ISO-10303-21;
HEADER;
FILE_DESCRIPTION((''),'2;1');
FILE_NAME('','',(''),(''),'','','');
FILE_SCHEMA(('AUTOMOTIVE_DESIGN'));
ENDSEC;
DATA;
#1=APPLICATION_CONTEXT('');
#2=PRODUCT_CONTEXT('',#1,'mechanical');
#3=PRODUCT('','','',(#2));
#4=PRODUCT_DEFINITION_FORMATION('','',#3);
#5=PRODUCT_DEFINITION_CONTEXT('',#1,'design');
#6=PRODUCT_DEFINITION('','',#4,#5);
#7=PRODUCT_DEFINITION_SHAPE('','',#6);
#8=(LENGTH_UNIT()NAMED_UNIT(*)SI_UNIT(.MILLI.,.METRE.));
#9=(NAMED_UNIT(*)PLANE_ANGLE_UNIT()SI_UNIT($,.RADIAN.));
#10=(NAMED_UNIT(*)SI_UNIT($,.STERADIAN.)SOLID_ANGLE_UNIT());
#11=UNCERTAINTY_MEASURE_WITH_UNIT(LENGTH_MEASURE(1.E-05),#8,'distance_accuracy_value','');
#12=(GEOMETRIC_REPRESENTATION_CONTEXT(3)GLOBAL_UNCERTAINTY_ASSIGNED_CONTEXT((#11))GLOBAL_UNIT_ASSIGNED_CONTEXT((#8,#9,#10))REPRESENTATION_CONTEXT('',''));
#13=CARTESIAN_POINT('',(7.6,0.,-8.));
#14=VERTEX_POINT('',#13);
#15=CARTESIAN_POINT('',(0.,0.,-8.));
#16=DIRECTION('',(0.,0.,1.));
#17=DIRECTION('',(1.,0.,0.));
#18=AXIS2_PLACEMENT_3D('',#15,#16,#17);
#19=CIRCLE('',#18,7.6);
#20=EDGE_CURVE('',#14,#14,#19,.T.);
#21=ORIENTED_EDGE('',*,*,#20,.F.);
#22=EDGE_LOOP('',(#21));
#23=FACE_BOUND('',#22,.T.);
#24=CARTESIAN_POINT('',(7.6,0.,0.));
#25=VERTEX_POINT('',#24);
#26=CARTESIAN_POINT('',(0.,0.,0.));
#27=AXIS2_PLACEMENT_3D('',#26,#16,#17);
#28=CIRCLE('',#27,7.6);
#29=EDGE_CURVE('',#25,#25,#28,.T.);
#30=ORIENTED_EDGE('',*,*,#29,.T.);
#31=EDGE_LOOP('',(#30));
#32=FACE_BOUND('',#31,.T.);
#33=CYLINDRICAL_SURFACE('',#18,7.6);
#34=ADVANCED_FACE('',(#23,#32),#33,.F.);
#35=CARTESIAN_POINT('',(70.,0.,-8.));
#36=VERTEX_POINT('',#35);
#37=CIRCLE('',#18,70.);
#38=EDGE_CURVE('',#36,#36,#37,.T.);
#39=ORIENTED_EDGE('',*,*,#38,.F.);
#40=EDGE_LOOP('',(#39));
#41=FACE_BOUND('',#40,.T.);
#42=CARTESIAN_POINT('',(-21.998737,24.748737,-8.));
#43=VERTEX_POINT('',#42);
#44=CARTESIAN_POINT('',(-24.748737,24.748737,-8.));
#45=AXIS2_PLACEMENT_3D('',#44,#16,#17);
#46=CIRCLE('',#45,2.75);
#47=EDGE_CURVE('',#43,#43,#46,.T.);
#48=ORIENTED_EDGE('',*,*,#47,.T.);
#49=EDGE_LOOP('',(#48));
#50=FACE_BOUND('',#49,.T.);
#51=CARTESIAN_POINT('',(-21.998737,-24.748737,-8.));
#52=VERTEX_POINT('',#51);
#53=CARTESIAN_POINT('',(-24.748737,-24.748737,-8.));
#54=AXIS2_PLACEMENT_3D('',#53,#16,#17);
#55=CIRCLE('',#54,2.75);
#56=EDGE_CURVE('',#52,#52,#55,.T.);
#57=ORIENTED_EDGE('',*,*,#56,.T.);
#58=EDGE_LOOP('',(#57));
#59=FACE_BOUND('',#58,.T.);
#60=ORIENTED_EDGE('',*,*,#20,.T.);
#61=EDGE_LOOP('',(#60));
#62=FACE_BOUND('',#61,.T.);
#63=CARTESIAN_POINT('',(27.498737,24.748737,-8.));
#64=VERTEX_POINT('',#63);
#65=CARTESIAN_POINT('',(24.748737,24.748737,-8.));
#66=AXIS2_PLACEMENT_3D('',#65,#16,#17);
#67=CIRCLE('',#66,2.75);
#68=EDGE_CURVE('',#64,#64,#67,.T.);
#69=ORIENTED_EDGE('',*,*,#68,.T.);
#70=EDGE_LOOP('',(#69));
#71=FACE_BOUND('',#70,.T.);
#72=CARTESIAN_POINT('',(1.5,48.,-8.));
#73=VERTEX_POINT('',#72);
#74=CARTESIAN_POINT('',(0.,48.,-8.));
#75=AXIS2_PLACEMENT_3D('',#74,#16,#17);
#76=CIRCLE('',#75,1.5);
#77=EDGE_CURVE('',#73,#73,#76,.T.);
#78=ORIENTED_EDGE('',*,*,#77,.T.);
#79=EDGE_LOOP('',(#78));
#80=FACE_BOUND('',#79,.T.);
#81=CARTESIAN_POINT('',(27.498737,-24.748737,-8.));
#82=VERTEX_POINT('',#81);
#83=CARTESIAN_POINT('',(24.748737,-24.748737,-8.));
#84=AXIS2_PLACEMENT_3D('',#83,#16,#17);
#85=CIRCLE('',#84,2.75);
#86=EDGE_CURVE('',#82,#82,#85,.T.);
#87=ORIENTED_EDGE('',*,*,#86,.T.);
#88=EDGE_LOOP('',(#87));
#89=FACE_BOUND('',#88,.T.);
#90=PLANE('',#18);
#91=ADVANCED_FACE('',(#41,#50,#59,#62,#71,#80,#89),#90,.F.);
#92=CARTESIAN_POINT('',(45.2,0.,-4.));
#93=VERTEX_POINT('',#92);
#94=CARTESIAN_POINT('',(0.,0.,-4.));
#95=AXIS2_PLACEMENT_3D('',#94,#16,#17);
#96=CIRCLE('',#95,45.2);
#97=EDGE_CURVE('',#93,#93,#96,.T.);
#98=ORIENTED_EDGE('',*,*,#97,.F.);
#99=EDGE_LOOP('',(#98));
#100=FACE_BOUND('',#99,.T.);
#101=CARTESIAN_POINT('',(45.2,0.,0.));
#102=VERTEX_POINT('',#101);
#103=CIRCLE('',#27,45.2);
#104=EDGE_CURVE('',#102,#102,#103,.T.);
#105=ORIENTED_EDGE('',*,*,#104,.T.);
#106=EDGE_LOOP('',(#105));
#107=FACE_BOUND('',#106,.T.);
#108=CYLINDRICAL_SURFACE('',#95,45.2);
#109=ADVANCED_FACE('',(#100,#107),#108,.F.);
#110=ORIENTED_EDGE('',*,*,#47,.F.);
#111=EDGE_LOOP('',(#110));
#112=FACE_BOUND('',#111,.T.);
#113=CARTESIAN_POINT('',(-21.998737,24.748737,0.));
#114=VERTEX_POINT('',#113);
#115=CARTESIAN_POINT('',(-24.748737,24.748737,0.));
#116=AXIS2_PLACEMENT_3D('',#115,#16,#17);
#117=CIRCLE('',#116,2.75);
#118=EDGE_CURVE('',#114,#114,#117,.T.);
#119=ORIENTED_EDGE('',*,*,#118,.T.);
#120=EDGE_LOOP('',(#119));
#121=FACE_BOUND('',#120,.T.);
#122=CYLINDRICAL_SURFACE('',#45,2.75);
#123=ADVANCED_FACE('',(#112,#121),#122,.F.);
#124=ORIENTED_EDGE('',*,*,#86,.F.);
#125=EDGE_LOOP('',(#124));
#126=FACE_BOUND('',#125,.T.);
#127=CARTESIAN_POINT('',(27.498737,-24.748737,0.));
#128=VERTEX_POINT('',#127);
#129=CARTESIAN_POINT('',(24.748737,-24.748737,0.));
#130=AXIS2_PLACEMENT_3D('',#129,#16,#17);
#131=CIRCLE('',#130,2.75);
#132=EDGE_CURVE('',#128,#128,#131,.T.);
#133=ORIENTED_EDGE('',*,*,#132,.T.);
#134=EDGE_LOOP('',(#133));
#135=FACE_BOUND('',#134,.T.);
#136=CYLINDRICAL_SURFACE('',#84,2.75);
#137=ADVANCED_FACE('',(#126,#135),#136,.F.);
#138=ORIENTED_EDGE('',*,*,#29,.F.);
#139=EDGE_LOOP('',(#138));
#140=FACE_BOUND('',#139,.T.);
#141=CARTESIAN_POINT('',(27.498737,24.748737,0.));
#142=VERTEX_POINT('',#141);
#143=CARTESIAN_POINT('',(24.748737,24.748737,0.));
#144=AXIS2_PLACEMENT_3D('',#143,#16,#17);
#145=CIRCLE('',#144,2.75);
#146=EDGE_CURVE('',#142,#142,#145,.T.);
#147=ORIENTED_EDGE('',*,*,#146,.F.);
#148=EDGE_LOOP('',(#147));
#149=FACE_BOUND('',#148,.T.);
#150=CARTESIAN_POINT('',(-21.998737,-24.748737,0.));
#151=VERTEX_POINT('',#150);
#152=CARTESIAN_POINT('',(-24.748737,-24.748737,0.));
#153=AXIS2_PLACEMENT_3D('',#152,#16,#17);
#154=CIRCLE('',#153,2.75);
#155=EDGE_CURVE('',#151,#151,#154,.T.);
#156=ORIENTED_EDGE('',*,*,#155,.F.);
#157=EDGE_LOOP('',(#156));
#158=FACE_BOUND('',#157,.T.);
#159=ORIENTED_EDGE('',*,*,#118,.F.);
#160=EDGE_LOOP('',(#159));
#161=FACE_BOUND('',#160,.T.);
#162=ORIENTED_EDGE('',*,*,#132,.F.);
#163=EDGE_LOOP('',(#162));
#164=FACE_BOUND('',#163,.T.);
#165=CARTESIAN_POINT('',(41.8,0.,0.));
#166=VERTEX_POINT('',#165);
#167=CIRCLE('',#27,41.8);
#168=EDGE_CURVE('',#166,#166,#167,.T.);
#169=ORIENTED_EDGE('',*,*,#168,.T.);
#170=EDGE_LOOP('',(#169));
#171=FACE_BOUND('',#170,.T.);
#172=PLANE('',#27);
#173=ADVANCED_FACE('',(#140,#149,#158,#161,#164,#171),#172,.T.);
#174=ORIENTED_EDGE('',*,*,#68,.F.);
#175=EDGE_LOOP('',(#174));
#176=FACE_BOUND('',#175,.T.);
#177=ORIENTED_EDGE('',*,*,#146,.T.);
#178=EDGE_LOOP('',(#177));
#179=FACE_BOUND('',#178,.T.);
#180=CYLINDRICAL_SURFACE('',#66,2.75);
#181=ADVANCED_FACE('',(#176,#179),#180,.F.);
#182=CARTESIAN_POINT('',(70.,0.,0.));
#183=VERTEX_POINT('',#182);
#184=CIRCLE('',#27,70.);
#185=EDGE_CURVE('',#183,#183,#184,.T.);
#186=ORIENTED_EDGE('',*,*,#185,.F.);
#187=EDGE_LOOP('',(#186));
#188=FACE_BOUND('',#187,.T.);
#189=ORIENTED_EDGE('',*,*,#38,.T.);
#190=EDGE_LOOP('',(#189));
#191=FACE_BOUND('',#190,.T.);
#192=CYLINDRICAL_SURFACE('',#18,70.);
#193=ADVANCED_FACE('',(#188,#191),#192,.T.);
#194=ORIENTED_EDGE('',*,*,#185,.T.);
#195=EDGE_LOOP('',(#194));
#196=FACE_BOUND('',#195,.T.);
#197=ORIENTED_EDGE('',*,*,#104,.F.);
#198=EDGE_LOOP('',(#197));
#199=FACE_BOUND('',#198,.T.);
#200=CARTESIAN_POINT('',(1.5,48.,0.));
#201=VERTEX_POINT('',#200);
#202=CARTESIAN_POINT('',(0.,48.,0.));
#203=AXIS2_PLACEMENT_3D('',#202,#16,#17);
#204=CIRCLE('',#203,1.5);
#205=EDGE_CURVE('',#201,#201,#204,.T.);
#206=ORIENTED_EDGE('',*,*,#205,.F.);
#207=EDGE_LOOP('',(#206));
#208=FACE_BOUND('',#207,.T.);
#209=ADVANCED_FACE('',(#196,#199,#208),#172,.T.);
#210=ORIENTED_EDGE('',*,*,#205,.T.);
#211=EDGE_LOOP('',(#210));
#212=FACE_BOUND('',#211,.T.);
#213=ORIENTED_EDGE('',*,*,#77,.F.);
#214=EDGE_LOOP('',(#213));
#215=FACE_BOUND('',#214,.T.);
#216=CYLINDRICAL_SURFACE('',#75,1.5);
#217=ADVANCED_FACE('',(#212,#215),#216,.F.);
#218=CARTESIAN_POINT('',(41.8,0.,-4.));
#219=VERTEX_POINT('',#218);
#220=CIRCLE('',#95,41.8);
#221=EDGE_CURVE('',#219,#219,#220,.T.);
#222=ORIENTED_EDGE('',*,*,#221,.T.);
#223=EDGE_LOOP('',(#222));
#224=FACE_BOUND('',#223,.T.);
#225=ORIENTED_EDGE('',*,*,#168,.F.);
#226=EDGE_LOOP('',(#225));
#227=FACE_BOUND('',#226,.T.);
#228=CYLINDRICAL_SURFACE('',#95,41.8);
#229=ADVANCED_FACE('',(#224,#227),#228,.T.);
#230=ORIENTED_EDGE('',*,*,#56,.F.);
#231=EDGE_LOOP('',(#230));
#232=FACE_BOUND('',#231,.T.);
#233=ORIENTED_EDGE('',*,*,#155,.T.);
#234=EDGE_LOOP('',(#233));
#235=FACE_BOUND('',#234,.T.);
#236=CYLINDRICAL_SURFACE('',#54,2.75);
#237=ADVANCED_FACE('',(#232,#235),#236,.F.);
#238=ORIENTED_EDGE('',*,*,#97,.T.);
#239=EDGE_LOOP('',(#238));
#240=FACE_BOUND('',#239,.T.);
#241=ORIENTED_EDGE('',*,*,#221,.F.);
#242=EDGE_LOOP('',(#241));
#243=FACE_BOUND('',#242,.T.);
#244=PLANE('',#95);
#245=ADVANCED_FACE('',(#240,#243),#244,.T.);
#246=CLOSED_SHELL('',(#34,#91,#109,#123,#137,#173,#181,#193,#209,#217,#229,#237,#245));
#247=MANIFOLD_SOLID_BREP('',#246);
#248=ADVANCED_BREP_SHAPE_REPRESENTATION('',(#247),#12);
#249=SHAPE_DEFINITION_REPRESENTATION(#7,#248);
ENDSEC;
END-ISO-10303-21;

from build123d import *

# Parameters (mm, degrees)
SKETCH_1_R          = 70
SKETCH_1_R_2        = 7.6
SKETCH_1_R_3        = 2.75
SKETCH_1_R_4        = 1.5
EXTRUDE_1_DEPTH     = 8
SKETCH_2_R          = 45.2
SKETCH_2_R_2        = 41.8
CUT_EXTRUDE_2_DEPTH = 4


with BuildPart() as part:
    # 草图1 → 凸台-拉伸1 (new body)
    with BuildSketch(Plane.XY):
        Circle(SKETCH_1_R)
        Circle(SKETCH_1_R_2, mode=Mode.SUBTRACT)
        with Locations((24.748737342, 24.748737342)):
            Circle(SKETCH_1_R_3, mode=Mode.SUBTRACT)
        with Locations((-24.748737342, 24.748737342)):
            Circle(SKETCH_1_R_3, mode=Mode.SUBTRACT)
        with Locations((-24.748737342, -24.748737342)):
            Circle(SKETCH_1_R_3, mode=Mode.SUBTRACT)
        with Locations((24.748737342, -24.748737342)):
            Circle(SKETCH_1_R_3, mode=Mode.SUBTRACT)
        with Locations((0, 48)):
            Circle(SKETCH_1_R_4, mode=Mode.SUBTRACT)
    extrude(amount=-EXTRUDE_1_DEPTH)

    # 草图2 → 切除-拉伸2 (cut)
    with BuildSketch(Plane.XY):
        Circle(SKETCH_2_R)
        Circle(SKETCH_2_R_2, mode=Mode.SUBTRACT)
    extrude(amount=-CUT_EXTRUDE_2_DEPTH, mode=Mode.SUBTRACT)


solid = part.part
